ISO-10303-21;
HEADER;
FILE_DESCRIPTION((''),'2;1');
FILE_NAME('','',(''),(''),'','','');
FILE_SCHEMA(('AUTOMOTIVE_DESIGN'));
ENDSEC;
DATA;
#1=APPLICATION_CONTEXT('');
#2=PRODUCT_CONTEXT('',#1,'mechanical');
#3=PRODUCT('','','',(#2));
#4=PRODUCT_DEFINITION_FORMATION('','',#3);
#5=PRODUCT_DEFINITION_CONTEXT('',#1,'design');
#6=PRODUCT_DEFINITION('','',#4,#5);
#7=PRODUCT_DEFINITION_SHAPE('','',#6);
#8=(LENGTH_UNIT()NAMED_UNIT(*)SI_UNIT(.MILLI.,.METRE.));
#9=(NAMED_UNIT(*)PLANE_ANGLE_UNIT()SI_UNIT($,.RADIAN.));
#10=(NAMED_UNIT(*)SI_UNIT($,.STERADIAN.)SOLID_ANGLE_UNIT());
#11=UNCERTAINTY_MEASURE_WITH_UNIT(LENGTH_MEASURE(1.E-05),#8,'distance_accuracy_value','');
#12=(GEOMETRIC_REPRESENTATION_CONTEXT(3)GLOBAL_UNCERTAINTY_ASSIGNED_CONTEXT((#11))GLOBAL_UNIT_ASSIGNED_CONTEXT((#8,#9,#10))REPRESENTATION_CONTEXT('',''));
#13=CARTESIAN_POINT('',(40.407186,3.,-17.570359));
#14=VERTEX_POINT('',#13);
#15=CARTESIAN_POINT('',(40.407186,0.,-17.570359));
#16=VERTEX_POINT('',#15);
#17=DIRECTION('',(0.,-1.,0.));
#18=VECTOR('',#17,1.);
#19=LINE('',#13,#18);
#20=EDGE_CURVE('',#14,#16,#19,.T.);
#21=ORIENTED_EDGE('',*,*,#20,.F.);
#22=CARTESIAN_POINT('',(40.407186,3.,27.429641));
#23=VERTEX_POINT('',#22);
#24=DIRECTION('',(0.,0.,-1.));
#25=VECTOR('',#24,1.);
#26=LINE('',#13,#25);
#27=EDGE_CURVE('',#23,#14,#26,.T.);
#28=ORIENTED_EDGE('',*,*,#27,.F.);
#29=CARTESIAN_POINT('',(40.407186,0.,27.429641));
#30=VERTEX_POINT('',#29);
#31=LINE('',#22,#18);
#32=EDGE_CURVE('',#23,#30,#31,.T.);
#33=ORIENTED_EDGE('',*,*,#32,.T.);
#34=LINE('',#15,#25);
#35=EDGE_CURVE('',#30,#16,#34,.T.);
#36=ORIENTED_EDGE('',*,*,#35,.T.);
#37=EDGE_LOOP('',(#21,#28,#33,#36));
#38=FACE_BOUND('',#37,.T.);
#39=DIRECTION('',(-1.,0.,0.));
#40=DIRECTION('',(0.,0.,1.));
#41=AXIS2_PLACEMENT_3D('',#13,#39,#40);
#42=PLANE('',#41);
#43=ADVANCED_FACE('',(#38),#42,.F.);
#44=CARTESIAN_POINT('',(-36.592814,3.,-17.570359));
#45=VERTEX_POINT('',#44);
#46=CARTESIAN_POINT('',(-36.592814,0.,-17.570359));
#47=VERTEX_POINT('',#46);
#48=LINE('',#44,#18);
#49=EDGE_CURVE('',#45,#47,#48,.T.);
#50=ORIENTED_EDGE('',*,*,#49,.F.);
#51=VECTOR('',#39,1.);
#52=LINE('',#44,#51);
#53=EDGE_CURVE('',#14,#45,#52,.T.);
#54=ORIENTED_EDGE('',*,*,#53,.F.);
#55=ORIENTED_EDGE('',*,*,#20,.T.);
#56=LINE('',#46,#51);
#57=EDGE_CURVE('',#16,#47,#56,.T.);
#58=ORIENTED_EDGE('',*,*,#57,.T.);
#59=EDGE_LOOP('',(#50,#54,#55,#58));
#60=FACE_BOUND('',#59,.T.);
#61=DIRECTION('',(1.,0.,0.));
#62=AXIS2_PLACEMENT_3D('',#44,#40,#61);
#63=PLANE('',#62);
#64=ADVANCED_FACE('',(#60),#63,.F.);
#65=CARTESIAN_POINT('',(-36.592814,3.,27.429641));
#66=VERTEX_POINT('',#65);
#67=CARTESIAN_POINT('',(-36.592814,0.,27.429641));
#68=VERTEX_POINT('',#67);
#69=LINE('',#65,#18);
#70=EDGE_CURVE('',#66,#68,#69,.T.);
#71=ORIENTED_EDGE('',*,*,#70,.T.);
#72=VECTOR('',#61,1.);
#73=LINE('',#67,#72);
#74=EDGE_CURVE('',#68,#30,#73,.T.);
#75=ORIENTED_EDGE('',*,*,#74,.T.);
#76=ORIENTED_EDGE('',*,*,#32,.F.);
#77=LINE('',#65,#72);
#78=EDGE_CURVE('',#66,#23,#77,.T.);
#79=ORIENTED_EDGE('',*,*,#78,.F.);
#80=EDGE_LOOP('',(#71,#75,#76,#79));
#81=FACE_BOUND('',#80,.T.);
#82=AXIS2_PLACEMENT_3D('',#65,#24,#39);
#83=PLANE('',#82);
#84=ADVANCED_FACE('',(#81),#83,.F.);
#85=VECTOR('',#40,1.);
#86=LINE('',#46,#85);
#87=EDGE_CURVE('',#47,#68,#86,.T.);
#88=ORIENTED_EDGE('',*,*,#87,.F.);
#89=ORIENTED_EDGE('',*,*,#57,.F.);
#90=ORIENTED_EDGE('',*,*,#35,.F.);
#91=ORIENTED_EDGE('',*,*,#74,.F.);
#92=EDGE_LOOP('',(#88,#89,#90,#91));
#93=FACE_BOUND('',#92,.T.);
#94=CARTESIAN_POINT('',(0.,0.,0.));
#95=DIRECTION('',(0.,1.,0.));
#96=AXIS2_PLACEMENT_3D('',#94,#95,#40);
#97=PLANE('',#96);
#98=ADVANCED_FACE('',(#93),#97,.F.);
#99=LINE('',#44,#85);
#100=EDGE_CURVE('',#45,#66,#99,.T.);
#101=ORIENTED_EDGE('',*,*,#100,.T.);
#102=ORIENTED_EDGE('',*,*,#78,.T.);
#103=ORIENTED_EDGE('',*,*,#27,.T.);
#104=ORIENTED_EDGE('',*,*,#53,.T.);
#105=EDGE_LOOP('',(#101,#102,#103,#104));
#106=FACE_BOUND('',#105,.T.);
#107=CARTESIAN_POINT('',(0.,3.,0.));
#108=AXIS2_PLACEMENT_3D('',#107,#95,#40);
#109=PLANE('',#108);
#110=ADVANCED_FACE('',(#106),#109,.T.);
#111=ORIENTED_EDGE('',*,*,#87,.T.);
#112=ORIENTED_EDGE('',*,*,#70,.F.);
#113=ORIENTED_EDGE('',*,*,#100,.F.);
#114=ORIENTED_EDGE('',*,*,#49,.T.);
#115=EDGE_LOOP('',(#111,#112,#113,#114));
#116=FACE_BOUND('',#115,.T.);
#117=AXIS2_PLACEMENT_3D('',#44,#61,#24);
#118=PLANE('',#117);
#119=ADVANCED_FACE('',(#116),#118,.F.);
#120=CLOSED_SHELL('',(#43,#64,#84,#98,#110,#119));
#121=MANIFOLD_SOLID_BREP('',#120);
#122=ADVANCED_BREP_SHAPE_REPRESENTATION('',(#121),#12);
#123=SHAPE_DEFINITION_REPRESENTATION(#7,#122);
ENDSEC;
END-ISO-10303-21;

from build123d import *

# Parameters (mm, degrees)
SKETCH1_W           = 77
SKETCH1_H           = 45
BOSS_EXTRUDE1_DEPTH = 3


with BuildPart() as part:
    # Sketch1 → Boss-Extrude1 (new body)
    with BuildSketch(Plane(origin=(0, 0, 0), x_dir=(1, 0, 0), z_dir=(0, 1, 0))):
        with Locations((1.907185629, -4.929640719)):
            Rectangle(SKETCH1_W, SKETCH1_H)
    extrude(amount=BOSS_EXTRUDE1_DEPTH)


solid = part.part
